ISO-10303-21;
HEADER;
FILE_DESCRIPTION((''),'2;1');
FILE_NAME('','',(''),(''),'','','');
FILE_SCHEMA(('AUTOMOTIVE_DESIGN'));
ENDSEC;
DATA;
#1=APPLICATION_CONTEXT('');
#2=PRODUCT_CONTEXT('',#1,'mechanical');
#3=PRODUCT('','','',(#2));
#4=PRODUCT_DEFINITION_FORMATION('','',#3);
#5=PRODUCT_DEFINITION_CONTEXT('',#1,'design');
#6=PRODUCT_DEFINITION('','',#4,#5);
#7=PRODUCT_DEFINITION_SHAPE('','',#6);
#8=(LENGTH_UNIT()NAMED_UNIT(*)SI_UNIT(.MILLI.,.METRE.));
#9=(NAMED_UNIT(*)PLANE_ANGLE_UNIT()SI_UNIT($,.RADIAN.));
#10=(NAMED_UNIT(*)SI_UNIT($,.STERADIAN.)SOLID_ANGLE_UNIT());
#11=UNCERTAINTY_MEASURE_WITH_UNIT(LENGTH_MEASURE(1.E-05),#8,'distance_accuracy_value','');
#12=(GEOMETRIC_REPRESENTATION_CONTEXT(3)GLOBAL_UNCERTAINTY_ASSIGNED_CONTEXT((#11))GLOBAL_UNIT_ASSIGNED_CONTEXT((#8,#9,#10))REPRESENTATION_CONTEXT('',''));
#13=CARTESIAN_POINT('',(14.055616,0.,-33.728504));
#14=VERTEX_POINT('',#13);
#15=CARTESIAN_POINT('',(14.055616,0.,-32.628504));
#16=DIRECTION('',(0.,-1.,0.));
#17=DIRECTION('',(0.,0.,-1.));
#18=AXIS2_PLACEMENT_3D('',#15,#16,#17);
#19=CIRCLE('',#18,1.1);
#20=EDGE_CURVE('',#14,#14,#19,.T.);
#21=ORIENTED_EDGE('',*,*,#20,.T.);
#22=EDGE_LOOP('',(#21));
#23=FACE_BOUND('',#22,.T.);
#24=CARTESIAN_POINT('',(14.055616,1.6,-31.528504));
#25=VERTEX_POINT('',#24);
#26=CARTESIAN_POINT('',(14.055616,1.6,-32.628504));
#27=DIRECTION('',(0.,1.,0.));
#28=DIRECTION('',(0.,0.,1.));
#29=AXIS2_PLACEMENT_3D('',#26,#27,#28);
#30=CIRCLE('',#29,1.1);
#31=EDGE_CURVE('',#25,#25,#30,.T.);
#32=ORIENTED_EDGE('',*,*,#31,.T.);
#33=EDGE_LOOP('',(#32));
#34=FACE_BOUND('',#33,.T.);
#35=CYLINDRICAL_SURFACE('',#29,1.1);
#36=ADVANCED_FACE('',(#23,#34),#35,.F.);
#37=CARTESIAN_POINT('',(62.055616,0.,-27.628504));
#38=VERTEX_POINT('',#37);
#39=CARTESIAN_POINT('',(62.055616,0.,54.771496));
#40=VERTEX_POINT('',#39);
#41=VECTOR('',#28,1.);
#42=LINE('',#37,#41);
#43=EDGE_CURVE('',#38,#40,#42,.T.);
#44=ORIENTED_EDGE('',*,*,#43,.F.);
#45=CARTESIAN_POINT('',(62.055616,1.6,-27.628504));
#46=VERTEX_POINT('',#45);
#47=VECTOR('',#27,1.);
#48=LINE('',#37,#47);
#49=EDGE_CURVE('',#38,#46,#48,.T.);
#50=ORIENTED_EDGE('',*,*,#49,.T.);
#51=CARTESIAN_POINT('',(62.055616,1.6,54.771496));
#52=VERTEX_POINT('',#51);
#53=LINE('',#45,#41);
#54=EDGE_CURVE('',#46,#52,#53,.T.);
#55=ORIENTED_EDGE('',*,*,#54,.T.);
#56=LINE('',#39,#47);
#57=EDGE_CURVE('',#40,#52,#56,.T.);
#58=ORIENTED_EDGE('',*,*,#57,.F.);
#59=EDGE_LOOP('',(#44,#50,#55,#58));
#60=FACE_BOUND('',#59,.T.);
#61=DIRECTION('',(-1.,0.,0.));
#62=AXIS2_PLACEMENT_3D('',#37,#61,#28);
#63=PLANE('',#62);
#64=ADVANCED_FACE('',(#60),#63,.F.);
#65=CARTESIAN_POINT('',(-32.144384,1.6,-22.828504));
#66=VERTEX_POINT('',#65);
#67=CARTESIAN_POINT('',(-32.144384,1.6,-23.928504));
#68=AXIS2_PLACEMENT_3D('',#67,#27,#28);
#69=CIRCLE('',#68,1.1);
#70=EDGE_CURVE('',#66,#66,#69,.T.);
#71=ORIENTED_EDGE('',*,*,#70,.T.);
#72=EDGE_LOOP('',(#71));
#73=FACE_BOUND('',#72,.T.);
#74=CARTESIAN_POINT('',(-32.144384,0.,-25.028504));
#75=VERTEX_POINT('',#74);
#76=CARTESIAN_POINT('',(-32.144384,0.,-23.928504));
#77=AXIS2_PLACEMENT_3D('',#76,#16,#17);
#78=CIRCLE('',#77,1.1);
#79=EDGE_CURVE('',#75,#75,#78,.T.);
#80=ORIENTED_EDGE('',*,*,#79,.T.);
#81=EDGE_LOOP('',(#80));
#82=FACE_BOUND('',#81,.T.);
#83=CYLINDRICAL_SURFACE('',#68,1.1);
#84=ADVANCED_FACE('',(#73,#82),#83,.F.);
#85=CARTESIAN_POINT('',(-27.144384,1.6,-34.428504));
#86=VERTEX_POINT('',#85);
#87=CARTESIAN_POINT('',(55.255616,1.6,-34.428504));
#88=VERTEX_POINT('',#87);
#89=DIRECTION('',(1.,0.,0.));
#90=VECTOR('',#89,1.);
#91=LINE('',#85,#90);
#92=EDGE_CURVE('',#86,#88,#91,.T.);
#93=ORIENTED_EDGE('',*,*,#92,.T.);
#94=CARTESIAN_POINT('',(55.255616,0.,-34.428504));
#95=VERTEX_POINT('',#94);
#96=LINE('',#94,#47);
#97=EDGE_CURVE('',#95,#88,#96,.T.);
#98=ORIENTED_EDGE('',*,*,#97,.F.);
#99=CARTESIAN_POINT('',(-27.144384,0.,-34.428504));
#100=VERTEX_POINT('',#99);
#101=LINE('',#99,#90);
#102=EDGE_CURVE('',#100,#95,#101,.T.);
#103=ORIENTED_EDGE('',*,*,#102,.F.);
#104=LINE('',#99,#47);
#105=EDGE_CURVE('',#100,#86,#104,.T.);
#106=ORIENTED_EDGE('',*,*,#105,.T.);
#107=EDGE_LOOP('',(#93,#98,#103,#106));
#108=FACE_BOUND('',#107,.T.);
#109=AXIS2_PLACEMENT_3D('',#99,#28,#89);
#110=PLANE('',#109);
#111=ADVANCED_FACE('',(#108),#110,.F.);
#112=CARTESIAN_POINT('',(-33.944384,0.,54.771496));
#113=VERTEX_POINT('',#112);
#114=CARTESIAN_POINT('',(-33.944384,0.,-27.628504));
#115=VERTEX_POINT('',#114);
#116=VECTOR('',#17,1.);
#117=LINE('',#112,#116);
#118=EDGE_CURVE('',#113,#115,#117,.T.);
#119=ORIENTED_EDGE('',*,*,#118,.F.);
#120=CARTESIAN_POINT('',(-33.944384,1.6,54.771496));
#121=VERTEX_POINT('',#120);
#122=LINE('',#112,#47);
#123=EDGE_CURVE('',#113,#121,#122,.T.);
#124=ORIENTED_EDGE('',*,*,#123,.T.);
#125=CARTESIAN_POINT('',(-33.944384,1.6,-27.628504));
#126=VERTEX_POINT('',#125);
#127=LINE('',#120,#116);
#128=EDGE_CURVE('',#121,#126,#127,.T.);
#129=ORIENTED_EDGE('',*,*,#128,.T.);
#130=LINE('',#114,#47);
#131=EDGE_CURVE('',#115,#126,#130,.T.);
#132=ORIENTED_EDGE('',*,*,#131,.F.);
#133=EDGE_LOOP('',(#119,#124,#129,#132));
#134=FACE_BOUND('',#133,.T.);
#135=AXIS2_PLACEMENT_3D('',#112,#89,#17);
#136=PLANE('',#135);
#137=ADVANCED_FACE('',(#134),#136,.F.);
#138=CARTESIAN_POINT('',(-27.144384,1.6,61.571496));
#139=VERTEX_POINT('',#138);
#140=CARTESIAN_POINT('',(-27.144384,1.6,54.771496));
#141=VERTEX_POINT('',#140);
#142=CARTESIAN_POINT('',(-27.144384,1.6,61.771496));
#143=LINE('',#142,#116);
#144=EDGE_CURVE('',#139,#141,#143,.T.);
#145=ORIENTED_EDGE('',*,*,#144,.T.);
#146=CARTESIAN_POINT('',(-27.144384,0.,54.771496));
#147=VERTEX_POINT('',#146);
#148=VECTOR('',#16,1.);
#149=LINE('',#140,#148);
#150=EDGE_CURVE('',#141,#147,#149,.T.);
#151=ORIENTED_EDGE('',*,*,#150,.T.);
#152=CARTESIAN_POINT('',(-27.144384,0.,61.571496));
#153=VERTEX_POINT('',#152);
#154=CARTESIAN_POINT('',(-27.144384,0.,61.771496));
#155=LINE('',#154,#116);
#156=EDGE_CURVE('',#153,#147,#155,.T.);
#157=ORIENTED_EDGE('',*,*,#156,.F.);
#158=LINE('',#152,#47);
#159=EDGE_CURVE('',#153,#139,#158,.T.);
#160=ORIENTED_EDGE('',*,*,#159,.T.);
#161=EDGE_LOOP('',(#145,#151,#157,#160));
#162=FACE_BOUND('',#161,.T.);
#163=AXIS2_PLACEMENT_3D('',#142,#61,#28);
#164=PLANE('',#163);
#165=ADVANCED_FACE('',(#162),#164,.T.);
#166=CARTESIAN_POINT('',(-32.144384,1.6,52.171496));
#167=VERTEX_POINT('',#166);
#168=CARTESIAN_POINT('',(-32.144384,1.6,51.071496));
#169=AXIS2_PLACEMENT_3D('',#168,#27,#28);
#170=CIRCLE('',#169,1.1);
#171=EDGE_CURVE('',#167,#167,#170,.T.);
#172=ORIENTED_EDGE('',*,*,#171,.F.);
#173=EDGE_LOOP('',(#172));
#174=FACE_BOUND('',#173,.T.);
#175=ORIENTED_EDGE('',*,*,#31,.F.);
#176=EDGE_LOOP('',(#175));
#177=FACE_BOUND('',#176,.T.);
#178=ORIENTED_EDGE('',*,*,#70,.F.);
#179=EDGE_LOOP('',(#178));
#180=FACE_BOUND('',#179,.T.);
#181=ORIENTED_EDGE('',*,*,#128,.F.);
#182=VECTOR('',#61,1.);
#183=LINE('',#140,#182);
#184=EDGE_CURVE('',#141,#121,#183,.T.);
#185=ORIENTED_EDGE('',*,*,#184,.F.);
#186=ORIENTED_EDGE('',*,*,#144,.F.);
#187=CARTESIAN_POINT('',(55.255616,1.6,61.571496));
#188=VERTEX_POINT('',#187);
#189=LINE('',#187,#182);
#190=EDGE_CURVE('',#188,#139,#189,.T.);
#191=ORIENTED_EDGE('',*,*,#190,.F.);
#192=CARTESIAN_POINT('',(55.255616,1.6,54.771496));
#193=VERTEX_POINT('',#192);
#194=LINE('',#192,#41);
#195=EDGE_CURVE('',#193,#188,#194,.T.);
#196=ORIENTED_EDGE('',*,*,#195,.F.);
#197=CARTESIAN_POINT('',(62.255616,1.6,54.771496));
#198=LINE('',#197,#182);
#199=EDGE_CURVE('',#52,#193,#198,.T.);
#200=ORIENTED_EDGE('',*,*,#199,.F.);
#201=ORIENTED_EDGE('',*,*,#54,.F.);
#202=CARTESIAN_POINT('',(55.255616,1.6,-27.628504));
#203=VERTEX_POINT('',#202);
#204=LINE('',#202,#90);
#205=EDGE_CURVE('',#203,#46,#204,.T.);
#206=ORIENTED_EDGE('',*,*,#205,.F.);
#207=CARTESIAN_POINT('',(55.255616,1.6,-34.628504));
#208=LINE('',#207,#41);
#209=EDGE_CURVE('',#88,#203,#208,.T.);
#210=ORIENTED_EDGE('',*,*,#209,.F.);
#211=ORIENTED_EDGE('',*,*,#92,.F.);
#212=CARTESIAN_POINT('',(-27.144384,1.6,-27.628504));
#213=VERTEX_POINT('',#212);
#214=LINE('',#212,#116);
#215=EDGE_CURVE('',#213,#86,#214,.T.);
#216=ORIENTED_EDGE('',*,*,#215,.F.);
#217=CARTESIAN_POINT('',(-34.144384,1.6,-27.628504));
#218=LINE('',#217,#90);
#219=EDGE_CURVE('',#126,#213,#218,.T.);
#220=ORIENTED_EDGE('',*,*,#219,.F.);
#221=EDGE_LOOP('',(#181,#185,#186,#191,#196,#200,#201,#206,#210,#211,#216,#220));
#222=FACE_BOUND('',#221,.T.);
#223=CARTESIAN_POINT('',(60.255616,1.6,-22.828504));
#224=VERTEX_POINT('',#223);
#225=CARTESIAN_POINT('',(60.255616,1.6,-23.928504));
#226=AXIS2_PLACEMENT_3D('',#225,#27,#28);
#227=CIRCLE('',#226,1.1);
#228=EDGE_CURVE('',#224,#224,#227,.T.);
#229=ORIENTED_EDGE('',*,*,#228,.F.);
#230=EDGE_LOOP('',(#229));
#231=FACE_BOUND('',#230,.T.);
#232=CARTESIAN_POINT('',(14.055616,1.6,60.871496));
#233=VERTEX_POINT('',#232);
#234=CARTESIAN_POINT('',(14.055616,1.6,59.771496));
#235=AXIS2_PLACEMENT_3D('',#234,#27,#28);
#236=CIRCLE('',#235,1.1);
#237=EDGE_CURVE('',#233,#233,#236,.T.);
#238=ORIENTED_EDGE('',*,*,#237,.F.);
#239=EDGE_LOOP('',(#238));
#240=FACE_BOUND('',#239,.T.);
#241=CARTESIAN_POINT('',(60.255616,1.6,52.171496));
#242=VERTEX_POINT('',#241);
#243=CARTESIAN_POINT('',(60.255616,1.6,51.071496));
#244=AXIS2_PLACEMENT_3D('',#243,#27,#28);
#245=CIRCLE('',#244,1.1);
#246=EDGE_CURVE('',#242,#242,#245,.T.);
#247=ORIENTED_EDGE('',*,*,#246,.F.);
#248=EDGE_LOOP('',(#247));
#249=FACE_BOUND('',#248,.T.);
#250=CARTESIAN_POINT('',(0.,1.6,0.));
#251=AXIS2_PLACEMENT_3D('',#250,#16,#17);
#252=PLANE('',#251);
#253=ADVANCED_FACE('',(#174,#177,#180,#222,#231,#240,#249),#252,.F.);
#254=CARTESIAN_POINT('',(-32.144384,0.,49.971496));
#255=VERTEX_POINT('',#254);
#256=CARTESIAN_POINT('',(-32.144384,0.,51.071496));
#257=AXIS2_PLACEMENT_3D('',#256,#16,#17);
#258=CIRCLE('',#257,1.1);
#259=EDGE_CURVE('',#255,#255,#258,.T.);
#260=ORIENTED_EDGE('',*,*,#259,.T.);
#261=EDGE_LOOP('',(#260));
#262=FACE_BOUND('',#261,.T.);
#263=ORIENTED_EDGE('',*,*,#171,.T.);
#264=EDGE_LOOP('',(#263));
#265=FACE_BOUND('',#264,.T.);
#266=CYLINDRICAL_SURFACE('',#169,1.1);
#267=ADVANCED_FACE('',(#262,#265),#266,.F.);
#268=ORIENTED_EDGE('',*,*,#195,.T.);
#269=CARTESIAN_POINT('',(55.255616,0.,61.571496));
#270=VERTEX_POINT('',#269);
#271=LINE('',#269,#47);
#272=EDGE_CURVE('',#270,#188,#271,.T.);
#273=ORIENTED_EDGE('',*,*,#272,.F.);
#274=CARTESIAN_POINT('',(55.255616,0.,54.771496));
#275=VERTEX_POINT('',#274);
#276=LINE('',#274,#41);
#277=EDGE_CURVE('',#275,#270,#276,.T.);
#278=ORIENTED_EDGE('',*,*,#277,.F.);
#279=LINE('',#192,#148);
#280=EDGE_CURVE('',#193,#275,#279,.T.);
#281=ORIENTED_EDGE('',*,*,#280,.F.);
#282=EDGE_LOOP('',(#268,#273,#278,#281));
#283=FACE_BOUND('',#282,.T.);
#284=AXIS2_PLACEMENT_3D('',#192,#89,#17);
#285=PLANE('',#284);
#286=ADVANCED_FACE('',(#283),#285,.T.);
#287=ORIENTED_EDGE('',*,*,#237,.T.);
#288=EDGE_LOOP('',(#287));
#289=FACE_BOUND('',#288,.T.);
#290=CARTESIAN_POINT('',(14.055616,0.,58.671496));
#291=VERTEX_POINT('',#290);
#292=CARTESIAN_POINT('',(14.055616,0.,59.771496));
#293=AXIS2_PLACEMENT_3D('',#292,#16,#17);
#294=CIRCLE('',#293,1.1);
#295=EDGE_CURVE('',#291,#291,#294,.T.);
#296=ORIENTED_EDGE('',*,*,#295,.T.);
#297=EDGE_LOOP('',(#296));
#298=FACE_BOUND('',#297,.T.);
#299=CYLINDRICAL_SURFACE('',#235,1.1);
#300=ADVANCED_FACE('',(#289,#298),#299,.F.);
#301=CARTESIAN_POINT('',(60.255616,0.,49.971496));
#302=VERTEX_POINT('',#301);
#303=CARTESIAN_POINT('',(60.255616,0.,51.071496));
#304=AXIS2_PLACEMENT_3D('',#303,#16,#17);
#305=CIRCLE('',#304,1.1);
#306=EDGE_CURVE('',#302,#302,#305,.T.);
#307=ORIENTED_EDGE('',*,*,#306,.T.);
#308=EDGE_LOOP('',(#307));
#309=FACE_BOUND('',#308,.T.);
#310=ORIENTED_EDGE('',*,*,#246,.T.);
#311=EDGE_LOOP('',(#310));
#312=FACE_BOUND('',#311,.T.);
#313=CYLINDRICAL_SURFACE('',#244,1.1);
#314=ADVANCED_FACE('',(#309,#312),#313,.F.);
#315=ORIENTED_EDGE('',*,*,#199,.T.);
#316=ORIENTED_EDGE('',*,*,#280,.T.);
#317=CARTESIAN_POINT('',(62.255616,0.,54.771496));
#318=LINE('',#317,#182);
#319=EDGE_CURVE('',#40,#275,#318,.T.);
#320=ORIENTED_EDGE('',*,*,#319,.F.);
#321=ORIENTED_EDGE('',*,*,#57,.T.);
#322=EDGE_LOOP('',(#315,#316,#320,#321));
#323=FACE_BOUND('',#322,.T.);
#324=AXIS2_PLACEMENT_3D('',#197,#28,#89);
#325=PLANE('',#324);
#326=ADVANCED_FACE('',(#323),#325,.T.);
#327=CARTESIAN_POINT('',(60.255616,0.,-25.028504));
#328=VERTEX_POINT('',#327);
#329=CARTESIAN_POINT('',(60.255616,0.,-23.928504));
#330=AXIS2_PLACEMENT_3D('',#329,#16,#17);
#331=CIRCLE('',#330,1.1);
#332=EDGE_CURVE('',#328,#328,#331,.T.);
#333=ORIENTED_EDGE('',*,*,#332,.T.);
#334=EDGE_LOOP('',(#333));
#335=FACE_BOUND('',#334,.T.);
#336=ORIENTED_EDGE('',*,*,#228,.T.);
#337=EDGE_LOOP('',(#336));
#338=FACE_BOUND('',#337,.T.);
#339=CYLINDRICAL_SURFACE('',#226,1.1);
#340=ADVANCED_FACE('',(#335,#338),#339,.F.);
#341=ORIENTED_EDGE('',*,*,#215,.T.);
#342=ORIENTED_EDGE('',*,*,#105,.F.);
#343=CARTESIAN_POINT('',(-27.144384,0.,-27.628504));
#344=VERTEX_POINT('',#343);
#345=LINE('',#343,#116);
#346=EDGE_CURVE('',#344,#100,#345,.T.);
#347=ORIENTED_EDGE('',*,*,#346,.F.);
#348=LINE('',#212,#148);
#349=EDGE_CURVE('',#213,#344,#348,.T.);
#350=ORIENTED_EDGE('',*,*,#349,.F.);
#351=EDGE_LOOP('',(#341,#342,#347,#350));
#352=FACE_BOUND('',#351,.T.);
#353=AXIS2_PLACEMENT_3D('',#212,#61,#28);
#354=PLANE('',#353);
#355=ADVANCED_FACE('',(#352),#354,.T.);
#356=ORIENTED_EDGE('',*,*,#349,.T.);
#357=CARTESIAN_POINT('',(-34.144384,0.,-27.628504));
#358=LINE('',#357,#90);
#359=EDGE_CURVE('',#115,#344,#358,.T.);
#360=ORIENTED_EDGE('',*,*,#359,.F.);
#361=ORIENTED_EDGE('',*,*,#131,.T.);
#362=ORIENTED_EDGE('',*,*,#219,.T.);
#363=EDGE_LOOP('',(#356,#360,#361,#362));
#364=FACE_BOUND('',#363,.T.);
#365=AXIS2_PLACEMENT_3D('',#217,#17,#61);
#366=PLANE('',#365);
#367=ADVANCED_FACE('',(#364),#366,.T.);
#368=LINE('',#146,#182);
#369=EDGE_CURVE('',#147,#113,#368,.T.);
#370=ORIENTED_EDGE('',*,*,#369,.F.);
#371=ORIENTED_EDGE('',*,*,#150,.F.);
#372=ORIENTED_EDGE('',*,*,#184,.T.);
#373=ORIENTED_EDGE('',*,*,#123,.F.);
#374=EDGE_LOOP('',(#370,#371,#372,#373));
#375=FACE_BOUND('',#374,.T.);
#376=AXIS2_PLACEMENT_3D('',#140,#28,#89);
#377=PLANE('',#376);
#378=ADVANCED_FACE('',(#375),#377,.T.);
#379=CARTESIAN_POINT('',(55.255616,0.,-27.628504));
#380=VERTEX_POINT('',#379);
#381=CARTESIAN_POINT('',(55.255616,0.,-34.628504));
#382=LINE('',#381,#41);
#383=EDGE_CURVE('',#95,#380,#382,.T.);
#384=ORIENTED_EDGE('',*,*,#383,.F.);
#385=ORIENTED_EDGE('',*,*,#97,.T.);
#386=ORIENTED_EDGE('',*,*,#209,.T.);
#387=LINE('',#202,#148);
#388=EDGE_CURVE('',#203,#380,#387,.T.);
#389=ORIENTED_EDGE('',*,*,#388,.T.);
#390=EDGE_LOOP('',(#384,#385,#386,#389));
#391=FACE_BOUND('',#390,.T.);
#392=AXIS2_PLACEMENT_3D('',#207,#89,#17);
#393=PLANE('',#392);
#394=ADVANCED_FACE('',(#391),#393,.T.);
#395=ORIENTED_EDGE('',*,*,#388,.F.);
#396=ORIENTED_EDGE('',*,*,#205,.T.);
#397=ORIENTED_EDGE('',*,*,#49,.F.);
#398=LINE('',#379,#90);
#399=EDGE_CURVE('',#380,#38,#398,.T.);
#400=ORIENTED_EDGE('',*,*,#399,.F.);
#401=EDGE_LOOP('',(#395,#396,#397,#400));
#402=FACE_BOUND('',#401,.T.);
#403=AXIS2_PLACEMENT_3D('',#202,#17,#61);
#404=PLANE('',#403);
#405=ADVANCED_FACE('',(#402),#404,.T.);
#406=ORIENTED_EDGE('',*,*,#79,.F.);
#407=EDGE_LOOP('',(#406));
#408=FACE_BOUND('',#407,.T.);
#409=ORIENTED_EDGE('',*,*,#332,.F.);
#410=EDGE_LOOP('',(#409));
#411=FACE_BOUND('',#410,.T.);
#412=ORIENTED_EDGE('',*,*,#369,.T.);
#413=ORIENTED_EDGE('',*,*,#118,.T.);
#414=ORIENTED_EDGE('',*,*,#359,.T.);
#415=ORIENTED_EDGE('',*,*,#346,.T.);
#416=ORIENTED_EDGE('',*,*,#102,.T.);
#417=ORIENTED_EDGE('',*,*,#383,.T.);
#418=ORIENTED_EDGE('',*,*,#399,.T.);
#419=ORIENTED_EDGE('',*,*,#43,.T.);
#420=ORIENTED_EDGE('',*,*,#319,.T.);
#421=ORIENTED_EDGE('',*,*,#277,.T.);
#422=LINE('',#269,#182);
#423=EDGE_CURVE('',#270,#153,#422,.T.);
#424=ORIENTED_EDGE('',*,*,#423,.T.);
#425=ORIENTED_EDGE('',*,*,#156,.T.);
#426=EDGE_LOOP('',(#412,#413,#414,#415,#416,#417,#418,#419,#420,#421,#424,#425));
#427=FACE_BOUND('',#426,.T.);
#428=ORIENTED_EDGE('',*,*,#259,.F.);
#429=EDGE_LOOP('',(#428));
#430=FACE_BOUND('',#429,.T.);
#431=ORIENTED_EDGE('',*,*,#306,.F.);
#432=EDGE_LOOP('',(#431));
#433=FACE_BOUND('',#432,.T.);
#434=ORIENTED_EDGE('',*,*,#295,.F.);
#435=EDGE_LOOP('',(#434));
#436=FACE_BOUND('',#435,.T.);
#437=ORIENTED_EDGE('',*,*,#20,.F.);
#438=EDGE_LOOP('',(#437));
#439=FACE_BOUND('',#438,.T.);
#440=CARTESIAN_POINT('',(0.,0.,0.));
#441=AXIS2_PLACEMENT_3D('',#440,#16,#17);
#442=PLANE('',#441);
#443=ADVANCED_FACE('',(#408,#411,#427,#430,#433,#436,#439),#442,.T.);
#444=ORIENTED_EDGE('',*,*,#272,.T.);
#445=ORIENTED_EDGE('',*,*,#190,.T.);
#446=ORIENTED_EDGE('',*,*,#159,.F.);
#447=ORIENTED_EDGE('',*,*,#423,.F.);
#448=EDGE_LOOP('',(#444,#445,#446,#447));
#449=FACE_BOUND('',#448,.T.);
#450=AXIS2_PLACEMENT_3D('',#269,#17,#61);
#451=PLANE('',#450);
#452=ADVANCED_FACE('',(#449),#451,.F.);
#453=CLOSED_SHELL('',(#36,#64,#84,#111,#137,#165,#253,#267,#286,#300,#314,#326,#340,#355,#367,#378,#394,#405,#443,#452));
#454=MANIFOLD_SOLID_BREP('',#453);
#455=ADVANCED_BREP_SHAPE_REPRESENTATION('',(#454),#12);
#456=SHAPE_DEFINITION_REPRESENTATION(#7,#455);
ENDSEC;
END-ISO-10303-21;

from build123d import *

# Parameters (mm, degrees)
BOSS_EXTRUDE1_DEPTH            = 1.6
F_2_2_2_2_DIAMETER_HOLE1_D     = 2.2
F_2_2_2_2_DIAMETER_HOLE1_DEPTH = 5
SKETCH8_W                      = 82.4
SKETCH8_H                      = 0.2
SKETCH8_W_2                    = 0.2
SKETCH8_H_2                    = 82.4
EXTRUDE1_DEPTH                 = 2.6


with BuildPart() as part:
    # Sketch1 → Boss-Extrude1 (new body)
    with BuildSketch(Plane(origin=(0, 0, 0), x_dir=(1, 0, 0), z_dir=(0, 1, 0))):
        Polygon((-34.144384454, 27.628503563), (-27.144384454, 27.628503563), (-27.144384454, 34.628503563), (55.255615546, 34.628503563), (55.255615546, 27.628503563), (62.255615546, 27.628503563), (62.255615546, -54.771496437), (55.255615546, -54.771496437), (55.255615546, -61.771496437), (-27.144384454, -61.771496437), (-27.144384454, -54.771496437), (-34.144384454, -54.771496437), align=None)
    extrude(amount=BOSS_EXTRUDE1_DEPTH)

    # Ø2.2 (2.2) Diameter Hole1
    with Locations(Plane(origin=(0, 1.6, 0), x_dir=(1, 0, 0), z_dir=(0, 1, 0))):
        with Locations((14.055615546, 32.628503563), (14.055615546, -59.771496437), (-32.144384454, -51.071496437), (60.255615546, 23.928503563), (-32.144384454, 23.928503563), (60.255615546, -51.071496437)):
            Hole(F_2_2_2_2_DIAMETER_HOLE1_D / 2, depth=F_2_2_2_2_DIAMETER_HOLE1_DEPTH)

    # Sketch8 → Extrude1 (cut, through all)
    with BuildSketch(Plane(origin=(0, 1.6, 0), x_dir=(1, 0, 0), z_dir=(0, 1, 0))):
        with Locations((14.055615546, 34.528503563)):
            Rectangle(SKETCH8_W, SKETCH8_H)
        with Locations((62.155615546, -13.571496437)):
            Rectangle(SKETCH8_W_2, SKETCH8_H_2)
        with Locations((14.055615546, -61.671496437)):
            Rectangle(SKETCH8_W, SKETCH8_H)
        with Locations((-34.044384454, -13.571496437)):
            Rectangle(SKETCH8_W_2, SKETCH8_H_2)
    extrude(amount=-EXTRUDE1_DEPTH, mode=Mode.SUBTRACT)


solid = part.part
